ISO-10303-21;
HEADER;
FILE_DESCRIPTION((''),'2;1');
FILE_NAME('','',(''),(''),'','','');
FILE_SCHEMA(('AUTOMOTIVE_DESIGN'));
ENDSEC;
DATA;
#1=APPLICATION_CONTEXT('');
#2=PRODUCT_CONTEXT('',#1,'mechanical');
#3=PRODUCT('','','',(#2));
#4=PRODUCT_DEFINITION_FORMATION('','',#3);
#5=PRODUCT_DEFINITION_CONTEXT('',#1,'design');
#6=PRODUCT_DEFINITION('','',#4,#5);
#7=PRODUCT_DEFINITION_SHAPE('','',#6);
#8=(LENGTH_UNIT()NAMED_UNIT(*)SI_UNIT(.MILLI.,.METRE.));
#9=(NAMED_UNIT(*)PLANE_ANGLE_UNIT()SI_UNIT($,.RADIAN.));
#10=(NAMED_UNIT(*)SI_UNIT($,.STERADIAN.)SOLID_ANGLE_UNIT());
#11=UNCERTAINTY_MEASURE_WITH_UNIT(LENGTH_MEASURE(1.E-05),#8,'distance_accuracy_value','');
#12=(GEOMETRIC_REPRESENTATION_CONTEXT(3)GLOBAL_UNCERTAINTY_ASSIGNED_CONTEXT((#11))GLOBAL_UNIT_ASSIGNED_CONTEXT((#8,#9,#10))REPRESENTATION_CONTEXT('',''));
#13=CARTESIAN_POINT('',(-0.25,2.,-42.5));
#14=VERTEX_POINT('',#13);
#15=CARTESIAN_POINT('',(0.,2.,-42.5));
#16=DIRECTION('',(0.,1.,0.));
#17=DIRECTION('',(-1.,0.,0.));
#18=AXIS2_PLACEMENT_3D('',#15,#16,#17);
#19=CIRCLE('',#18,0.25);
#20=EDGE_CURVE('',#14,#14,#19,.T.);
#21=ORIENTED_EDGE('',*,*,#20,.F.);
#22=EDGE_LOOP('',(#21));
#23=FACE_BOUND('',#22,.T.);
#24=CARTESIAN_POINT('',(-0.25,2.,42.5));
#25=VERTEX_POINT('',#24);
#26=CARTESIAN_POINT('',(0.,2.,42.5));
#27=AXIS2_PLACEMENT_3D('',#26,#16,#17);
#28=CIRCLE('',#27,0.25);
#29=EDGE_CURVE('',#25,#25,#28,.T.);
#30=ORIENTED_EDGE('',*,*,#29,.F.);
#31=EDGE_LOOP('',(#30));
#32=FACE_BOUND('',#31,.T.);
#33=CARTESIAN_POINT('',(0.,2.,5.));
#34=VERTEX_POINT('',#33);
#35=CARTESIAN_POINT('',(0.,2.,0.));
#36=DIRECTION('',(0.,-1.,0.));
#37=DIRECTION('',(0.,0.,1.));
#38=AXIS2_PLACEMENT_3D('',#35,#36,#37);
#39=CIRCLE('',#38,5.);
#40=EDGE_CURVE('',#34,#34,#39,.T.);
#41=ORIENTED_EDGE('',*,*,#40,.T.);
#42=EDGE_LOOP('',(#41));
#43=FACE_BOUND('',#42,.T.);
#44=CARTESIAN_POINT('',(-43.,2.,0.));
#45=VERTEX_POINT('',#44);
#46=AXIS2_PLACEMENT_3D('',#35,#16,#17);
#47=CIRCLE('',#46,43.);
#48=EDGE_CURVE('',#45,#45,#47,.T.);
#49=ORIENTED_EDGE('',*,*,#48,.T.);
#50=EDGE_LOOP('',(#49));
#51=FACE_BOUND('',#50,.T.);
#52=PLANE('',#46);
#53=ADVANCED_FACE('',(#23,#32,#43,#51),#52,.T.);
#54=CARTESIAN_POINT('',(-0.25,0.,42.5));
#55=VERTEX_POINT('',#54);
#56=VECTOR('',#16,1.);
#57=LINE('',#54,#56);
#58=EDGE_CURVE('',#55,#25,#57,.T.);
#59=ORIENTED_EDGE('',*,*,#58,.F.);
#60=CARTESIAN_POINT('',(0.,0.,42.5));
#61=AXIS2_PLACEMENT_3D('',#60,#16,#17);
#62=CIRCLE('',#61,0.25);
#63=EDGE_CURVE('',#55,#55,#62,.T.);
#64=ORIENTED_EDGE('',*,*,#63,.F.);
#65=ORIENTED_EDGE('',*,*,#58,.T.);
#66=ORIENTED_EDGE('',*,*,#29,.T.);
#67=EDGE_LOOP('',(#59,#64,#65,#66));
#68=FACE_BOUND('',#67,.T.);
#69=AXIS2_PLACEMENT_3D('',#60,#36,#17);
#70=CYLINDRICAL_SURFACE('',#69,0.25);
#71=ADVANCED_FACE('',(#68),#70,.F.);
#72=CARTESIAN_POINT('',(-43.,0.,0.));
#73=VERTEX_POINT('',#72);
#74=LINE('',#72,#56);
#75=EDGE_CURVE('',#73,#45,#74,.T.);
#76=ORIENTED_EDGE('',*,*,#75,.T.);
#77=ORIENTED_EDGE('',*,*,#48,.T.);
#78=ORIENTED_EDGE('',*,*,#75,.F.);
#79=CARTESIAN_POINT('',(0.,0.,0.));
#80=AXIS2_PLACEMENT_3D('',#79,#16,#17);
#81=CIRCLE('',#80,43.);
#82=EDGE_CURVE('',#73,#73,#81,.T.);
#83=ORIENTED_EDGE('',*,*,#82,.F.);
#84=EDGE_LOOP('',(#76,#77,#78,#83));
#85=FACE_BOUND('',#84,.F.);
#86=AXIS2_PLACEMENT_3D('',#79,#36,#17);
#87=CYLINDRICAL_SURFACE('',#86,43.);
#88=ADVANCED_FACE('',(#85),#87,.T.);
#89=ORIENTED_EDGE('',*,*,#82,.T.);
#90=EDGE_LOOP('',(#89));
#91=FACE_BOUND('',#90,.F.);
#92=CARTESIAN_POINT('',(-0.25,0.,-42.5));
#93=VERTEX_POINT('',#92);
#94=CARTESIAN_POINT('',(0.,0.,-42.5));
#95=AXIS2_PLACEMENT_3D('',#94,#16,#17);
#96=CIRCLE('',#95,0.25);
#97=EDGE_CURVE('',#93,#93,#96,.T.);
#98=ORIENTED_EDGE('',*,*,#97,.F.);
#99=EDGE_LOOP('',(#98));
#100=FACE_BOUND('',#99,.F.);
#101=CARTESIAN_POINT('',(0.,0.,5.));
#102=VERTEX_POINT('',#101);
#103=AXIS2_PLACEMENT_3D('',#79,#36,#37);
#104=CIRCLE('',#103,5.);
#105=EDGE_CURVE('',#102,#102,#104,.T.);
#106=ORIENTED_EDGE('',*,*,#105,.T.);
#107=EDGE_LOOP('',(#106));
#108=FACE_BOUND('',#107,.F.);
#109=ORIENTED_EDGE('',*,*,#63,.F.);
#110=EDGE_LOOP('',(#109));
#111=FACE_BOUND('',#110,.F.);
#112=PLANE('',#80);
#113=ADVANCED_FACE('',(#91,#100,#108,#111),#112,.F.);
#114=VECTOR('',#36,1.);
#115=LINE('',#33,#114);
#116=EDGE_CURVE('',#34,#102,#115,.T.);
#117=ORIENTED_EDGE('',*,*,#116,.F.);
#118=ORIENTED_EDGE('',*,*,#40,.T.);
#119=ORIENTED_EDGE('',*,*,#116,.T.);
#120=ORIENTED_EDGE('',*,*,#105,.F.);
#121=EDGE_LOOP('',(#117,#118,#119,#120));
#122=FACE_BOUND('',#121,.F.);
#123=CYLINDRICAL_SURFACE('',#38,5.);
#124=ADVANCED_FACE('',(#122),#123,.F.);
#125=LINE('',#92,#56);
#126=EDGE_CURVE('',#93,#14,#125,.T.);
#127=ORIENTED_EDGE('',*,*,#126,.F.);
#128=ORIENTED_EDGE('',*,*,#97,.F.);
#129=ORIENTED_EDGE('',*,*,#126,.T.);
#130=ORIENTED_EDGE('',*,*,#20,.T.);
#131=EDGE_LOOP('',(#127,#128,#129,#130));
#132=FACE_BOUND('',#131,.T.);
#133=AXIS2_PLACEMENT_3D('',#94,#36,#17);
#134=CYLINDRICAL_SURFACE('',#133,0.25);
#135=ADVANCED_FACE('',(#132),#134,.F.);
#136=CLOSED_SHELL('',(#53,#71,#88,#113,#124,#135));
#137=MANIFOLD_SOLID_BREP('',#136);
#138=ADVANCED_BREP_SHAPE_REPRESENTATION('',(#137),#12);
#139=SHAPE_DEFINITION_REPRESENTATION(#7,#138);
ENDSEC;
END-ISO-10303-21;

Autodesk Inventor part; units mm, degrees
ref_plane "YZ Plane" through (0, 0, 0) normal (1, 0, 0) x (0, 1, 0)
ref_plane "XZ Plane" through (0, 0, 0) normal (0, 1, 0) x (-1, 0, 0)
ref_plane "XY Plane" through (0, 0, 0) normal (0, 0, 1) x (1, 0, 0)
sketch "Sketch1" plane through (0, 0, 0) normal (0, 1, 0) x (-1, 0, 0)
  circle A0 centre (0, 0) radius 43
  circle A1 centre (0, -42.5) radius 0.25
  circle A2 centre (0, 42.5) radius 0.25
  dimension "d3" = 0.5
  dimension "d4" = 42.5
extrude "Extrusion1" add sketch "Sketch1" along normal blind 2
sketch "Sketch2" plane through (0, 2, 0) normal (0, 1, 0) x (1, 0, 0)
  circle A0 centre (0, 0) radius 43 projected
hole "Hole1" at (0, 2, 0) direction (0, -1, 0) diameter 10 end through all
properties part number "lid"
